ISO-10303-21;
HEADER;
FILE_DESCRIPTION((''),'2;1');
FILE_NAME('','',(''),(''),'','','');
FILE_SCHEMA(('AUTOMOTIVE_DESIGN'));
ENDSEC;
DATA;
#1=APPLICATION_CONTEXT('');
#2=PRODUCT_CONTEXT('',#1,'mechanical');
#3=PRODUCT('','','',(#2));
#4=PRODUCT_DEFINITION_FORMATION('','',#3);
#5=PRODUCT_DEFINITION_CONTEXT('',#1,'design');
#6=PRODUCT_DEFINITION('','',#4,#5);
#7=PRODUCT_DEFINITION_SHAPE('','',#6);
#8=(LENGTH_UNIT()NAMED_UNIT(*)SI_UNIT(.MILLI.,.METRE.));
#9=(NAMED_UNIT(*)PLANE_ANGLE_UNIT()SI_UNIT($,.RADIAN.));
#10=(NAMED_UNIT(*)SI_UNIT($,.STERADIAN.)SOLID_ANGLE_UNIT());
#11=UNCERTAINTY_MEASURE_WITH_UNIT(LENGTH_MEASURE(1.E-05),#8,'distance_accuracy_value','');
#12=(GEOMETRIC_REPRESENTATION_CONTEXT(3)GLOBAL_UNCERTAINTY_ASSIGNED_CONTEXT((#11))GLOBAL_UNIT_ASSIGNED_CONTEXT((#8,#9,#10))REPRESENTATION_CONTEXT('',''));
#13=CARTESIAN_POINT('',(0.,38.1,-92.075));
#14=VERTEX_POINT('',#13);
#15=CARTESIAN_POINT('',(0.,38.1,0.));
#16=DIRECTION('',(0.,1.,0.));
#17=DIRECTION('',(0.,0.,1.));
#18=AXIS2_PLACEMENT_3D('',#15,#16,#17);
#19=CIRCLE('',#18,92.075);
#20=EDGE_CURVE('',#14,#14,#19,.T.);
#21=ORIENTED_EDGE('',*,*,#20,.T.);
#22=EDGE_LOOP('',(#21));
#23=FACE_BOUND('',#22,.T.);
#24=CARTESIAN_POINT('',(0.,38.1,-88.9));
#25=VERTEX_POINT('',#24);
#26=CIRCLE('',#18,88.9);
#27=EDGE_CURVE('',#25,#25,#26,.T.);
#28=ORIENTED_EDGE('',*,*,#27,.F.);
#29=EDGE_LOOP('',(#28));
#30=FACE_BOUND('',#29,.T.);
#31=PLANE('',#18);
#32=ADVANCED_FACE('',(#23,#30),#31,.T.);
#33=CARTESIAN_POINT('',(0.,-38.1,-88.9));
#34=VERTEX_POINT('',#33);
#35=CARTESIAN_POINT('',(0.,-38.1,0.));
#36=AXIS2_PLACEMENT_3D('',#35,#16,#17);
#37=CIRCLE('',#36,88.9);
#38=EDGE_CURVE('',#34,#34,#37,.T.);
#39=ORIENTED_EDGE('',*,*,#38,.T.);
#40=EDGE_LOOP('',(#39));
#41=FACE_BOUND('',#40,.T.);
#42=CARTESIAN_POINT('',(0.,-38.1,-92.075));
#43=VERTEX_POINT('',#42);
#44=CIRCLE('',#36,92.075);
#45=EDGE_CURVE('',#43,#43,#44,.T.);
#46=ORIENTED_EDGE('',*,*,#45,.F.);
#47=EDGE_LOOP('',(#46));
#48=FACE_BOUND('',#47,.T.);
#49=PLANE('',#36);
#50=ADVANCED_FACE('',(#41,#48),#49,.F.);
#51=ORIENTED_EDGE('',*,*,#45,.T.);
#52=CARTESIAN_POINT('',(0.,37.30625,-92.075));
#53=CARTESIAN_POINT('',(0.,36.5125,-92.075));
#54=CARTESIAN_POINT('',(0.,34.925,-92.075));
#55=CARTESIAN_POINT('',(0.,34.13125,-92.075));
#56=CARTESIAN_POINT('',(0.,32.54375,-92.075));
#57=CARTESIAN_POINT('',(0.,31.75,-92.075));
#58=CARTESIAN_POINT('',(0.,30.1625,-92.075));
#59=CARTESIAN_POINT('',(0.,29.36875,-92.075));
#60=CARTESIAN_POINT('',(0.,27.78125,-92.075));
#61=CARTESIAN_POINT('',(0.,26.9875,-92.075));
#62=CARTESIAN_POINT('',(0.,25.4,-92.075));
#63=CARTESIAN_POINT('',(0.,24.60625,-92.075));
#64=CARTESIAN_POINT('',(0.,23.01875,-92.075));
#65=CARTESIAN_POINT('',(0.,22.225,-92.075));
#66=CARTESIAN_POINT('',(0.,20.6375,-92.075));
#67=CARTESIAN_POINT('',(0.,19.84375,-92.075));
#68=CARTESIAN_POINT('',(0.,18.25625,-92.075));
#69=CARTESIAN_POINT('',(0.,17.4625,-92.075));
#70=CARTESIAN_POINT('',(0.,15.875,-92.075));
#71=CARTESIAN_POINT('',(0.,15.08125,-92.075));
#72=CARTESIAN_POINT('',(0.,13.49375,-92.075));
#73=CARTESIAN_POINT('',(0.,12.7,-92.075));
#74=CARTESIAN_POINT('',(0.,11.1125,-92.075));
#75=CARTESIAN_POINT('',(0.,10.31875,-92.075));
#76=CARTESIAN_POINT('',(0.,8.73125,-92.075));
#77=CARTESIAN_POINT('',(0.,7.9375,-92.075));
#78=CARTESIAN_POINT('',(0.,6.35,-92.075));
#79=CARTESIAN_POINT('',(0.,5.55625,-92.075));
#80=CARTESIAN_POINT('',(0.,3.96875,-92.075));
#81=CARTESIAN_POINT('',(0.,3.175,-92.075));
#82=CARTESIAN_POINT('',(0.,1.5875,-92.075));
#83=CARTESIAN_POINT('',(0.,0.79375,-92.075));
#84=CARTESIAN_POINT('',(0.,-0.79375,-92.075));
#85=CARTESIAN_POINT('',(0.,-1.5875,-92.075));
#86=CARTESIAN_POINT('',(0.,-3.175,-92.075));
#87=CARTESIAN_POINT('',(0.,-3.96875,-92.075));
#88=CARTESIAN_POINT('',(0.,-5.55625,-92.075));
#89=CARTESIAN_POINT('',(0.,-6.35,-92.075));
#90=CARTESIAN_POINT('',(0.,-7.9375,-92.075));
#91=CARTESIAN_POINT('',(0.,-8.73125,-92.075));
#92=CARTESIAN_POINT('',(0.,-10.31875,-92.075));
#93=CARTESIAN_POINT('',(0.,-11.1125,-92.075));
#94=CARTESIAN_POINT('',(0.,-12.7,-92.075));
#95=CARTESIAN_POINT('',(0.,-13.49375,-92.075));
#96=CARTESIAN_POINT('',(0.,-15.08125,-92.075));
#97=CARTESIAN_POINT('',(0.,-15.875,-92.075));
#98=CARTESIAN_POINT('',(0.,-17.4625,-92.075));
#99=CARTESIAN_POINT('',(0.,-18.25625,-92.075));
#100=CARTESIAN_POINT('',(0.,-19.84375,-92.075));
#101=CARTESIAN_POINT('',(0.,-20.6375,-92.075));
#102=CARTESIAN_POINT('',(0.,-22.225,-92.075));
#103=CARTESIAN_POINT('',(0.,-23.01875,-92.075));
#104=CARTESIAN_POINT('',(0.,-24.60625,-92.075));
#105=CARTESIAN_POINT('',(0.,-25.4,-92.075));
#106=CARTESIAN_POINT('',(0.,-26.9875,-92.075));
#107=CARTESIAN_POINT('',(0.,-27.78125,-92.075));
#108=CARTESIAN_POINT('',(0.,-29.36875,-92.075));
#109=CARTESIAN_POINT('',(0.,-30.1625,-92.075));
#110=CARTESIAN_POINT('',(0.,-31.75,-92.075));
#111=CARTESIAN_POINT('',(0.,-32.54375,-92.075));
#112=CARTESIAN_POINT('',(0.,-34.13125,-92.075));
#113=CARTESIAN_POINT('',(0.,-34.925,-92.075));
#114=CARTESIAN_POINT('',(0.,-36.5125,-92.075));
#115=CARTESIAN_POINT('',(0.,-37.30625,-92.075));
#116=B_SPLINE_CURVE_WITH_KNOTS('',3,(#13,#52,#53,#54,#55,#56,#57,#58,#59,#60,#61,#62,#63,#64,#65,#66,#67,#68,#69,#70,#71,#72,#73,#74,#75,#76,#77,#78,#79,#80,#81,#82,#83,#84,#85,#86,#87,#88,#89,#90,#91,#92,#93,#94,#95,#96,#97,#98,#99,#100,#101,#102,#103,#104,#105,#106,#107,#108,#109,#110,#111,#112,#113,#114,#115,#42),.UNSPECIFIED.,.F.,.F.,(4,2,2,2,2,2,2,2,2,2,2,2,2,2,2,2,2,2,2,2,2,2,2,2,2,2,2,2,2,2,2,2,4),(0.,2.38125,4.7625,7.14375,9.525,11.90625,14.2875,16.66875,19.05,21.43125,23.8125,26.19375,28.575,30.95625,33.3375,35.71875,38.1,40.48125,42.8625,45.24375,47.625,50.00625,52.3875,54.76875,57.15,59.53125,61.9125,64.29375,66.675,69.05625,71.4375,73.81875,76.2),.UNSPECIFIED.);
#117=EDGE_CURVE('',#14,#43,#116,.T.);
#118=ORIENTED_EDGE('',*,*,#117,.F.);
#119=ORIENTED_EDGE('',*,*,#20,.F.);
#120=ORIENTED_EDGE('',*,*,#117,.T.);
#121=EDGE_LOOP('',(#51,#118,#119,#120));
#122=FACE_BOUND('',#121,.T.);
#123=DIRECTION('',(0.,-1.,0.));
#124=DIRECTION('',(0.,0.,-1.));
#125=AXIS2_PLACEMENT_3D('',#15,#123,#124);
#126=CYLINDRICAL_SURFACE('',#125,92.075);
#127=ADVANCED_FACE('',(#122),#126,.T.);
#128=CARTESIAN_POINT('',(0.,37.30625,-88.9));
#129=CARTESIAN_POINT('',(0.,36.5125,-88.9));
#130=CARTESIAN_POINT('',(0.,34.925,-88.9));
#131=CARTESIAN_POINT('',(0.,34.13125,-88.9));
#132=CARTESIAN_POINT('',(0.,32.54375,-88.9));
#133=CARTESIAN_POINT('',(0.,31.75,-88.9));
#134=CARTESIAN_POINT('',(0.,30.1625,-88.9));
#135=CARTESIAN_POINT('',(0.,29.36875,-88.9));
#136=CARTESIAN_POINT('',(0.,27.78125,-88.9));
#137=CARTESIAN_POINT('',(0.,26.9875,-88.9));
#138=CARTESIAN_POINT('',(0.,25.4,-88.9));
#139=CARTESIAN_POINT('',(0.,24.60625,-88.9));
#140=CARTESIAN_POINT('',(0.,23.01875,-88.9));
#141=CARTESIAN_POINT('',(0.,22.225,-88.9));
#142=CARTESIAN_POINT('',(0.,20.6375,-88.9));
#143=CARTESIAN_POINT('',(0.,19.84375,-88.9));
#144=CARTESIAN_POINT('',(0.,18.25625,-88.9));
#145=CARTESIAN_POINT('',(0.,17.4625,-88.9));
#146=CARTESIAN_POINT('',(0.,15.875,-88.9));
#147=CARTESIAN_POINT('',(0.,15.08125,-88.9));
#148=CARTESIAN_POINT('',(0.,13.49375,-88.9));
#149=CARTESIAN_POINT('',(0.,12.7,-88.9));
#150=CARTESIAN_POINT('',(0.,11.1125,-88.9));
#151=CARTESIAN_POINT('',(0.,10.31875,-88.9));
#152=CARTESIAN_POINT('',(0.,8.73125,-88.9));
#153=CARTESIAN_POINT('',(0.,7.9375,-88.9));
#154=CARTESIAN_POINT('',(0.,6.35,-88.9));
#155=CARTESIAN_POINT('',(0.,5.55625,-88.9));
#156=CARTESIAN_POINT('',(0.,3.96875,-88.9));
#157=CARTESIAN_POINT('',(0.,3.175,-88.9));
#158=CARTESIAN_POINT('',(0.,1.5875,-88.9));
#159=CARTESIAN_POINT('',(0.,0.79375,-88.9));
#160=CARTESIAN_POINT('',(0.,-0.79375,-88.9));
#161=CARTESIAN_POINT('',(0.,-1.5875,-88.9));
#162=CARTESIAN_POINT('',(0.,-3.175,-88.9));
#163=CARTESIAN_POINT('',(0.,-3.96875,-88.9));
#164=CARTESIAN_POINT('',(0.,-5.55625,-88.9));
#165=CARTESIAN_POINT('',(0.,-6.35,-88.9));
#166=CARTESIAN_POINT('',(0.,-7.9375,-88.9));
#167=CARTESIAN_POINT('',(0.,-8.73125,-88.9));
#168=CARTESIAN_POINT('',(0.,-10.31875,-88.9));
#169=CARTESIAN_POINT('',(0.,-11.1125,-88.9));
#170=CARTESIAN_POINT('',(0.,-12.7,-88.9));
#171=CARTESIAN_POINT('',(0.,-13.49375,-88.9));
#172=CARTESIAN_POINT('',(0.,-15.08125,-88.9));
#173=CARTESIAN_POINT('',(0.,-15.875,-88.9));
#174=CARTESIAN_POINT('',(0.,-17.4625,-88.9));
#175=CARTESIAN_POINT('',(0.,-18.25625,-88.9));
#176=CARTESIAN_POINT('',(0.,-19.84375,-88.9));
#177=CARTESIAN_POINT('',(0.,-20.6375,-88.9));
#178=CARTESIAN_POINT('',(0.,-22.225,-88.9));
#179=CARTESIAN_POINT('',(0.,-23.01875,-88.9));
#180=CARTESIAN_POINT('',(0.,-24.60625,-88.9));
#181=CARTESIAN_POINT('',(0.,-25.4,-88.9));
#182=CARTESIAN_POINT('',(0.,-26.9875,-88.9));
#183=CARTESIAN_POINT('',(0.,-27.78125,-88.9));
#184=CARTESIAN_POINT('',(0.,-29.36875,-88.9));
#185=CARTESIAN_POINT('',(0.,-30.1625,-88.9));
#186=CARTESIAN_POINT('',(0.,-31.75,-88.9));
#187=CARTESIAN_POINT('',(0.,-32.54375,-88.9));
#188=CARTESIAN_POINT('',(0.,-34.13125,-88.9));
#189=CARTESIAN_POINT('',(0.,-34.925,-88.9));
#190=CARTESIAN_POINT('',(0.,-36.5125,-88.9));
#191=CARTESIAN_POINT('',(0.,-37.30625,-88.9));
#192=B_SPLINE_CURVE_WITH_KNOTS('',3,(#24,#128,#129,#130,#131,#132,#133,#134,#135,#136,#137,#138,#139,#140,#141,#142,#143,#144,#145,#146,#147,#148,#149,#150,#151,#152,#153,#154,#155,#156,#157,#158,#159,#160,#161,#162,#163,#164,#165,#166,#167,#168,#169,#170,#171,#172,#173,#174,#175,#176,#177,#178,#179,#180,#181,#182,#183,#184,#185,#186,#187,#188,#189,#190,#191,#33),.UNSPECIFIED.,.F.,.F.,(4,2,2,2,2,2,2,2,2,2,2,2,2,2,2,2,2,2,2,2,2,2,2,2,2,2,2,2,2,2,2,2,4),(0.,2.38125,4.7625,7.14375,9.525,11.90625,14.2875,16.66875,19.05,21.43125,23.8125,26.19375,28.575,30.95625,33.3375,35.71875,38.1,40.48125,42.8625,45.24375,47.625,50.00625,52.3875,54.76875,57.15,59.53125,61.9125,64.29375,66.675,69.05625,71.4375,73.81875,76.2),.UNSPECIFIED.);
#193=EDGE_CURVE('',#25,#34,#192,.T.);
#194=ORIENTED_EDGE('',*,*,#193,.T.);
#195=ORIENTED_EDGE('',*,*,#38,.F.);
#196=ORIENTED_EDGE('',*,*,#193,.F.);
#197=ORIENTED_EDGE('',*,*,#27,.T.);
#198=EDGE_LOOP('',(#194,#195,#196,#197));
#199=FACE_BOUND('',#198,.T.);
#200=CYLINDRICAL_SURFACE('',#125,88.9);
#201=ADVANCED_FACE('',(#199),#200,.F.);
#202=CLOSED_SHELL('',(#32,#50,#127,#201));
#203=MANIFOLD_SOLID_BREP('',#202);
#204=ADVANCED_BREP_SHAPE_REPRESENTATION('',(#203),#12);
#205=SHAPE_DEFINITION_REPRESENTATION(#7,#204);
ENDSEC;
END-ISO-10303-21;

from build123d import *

# Parameters (mm, degrees)
SKETCH1_R           = 92.075
SKETCH1_R_2         = 88.9
BOSS_EXTRUDE1_DEPTH = 38.1


with BuildPart() as part:
    # Sketch1 → Boss-Extrude1 (new, symmetric)
    with BuildSketch(Plane(origin=(0, 0, 0), x_dir=(1, 0, 0), z_dir=(0, 1, 0))):
        with Locations(Location((0, 0, 0), (0, 0, 90))):
            Circle(SKETCH1_R)
        with Locations(Location((0, 0, 0), (0, 0, 90))):
            Circle(SKETCH1_R_2, mode=Mode.SUBTRACT)
    extrude(amount=BOSS_EXTRUDE1_DEPTH, both=True)


solid = part.part
